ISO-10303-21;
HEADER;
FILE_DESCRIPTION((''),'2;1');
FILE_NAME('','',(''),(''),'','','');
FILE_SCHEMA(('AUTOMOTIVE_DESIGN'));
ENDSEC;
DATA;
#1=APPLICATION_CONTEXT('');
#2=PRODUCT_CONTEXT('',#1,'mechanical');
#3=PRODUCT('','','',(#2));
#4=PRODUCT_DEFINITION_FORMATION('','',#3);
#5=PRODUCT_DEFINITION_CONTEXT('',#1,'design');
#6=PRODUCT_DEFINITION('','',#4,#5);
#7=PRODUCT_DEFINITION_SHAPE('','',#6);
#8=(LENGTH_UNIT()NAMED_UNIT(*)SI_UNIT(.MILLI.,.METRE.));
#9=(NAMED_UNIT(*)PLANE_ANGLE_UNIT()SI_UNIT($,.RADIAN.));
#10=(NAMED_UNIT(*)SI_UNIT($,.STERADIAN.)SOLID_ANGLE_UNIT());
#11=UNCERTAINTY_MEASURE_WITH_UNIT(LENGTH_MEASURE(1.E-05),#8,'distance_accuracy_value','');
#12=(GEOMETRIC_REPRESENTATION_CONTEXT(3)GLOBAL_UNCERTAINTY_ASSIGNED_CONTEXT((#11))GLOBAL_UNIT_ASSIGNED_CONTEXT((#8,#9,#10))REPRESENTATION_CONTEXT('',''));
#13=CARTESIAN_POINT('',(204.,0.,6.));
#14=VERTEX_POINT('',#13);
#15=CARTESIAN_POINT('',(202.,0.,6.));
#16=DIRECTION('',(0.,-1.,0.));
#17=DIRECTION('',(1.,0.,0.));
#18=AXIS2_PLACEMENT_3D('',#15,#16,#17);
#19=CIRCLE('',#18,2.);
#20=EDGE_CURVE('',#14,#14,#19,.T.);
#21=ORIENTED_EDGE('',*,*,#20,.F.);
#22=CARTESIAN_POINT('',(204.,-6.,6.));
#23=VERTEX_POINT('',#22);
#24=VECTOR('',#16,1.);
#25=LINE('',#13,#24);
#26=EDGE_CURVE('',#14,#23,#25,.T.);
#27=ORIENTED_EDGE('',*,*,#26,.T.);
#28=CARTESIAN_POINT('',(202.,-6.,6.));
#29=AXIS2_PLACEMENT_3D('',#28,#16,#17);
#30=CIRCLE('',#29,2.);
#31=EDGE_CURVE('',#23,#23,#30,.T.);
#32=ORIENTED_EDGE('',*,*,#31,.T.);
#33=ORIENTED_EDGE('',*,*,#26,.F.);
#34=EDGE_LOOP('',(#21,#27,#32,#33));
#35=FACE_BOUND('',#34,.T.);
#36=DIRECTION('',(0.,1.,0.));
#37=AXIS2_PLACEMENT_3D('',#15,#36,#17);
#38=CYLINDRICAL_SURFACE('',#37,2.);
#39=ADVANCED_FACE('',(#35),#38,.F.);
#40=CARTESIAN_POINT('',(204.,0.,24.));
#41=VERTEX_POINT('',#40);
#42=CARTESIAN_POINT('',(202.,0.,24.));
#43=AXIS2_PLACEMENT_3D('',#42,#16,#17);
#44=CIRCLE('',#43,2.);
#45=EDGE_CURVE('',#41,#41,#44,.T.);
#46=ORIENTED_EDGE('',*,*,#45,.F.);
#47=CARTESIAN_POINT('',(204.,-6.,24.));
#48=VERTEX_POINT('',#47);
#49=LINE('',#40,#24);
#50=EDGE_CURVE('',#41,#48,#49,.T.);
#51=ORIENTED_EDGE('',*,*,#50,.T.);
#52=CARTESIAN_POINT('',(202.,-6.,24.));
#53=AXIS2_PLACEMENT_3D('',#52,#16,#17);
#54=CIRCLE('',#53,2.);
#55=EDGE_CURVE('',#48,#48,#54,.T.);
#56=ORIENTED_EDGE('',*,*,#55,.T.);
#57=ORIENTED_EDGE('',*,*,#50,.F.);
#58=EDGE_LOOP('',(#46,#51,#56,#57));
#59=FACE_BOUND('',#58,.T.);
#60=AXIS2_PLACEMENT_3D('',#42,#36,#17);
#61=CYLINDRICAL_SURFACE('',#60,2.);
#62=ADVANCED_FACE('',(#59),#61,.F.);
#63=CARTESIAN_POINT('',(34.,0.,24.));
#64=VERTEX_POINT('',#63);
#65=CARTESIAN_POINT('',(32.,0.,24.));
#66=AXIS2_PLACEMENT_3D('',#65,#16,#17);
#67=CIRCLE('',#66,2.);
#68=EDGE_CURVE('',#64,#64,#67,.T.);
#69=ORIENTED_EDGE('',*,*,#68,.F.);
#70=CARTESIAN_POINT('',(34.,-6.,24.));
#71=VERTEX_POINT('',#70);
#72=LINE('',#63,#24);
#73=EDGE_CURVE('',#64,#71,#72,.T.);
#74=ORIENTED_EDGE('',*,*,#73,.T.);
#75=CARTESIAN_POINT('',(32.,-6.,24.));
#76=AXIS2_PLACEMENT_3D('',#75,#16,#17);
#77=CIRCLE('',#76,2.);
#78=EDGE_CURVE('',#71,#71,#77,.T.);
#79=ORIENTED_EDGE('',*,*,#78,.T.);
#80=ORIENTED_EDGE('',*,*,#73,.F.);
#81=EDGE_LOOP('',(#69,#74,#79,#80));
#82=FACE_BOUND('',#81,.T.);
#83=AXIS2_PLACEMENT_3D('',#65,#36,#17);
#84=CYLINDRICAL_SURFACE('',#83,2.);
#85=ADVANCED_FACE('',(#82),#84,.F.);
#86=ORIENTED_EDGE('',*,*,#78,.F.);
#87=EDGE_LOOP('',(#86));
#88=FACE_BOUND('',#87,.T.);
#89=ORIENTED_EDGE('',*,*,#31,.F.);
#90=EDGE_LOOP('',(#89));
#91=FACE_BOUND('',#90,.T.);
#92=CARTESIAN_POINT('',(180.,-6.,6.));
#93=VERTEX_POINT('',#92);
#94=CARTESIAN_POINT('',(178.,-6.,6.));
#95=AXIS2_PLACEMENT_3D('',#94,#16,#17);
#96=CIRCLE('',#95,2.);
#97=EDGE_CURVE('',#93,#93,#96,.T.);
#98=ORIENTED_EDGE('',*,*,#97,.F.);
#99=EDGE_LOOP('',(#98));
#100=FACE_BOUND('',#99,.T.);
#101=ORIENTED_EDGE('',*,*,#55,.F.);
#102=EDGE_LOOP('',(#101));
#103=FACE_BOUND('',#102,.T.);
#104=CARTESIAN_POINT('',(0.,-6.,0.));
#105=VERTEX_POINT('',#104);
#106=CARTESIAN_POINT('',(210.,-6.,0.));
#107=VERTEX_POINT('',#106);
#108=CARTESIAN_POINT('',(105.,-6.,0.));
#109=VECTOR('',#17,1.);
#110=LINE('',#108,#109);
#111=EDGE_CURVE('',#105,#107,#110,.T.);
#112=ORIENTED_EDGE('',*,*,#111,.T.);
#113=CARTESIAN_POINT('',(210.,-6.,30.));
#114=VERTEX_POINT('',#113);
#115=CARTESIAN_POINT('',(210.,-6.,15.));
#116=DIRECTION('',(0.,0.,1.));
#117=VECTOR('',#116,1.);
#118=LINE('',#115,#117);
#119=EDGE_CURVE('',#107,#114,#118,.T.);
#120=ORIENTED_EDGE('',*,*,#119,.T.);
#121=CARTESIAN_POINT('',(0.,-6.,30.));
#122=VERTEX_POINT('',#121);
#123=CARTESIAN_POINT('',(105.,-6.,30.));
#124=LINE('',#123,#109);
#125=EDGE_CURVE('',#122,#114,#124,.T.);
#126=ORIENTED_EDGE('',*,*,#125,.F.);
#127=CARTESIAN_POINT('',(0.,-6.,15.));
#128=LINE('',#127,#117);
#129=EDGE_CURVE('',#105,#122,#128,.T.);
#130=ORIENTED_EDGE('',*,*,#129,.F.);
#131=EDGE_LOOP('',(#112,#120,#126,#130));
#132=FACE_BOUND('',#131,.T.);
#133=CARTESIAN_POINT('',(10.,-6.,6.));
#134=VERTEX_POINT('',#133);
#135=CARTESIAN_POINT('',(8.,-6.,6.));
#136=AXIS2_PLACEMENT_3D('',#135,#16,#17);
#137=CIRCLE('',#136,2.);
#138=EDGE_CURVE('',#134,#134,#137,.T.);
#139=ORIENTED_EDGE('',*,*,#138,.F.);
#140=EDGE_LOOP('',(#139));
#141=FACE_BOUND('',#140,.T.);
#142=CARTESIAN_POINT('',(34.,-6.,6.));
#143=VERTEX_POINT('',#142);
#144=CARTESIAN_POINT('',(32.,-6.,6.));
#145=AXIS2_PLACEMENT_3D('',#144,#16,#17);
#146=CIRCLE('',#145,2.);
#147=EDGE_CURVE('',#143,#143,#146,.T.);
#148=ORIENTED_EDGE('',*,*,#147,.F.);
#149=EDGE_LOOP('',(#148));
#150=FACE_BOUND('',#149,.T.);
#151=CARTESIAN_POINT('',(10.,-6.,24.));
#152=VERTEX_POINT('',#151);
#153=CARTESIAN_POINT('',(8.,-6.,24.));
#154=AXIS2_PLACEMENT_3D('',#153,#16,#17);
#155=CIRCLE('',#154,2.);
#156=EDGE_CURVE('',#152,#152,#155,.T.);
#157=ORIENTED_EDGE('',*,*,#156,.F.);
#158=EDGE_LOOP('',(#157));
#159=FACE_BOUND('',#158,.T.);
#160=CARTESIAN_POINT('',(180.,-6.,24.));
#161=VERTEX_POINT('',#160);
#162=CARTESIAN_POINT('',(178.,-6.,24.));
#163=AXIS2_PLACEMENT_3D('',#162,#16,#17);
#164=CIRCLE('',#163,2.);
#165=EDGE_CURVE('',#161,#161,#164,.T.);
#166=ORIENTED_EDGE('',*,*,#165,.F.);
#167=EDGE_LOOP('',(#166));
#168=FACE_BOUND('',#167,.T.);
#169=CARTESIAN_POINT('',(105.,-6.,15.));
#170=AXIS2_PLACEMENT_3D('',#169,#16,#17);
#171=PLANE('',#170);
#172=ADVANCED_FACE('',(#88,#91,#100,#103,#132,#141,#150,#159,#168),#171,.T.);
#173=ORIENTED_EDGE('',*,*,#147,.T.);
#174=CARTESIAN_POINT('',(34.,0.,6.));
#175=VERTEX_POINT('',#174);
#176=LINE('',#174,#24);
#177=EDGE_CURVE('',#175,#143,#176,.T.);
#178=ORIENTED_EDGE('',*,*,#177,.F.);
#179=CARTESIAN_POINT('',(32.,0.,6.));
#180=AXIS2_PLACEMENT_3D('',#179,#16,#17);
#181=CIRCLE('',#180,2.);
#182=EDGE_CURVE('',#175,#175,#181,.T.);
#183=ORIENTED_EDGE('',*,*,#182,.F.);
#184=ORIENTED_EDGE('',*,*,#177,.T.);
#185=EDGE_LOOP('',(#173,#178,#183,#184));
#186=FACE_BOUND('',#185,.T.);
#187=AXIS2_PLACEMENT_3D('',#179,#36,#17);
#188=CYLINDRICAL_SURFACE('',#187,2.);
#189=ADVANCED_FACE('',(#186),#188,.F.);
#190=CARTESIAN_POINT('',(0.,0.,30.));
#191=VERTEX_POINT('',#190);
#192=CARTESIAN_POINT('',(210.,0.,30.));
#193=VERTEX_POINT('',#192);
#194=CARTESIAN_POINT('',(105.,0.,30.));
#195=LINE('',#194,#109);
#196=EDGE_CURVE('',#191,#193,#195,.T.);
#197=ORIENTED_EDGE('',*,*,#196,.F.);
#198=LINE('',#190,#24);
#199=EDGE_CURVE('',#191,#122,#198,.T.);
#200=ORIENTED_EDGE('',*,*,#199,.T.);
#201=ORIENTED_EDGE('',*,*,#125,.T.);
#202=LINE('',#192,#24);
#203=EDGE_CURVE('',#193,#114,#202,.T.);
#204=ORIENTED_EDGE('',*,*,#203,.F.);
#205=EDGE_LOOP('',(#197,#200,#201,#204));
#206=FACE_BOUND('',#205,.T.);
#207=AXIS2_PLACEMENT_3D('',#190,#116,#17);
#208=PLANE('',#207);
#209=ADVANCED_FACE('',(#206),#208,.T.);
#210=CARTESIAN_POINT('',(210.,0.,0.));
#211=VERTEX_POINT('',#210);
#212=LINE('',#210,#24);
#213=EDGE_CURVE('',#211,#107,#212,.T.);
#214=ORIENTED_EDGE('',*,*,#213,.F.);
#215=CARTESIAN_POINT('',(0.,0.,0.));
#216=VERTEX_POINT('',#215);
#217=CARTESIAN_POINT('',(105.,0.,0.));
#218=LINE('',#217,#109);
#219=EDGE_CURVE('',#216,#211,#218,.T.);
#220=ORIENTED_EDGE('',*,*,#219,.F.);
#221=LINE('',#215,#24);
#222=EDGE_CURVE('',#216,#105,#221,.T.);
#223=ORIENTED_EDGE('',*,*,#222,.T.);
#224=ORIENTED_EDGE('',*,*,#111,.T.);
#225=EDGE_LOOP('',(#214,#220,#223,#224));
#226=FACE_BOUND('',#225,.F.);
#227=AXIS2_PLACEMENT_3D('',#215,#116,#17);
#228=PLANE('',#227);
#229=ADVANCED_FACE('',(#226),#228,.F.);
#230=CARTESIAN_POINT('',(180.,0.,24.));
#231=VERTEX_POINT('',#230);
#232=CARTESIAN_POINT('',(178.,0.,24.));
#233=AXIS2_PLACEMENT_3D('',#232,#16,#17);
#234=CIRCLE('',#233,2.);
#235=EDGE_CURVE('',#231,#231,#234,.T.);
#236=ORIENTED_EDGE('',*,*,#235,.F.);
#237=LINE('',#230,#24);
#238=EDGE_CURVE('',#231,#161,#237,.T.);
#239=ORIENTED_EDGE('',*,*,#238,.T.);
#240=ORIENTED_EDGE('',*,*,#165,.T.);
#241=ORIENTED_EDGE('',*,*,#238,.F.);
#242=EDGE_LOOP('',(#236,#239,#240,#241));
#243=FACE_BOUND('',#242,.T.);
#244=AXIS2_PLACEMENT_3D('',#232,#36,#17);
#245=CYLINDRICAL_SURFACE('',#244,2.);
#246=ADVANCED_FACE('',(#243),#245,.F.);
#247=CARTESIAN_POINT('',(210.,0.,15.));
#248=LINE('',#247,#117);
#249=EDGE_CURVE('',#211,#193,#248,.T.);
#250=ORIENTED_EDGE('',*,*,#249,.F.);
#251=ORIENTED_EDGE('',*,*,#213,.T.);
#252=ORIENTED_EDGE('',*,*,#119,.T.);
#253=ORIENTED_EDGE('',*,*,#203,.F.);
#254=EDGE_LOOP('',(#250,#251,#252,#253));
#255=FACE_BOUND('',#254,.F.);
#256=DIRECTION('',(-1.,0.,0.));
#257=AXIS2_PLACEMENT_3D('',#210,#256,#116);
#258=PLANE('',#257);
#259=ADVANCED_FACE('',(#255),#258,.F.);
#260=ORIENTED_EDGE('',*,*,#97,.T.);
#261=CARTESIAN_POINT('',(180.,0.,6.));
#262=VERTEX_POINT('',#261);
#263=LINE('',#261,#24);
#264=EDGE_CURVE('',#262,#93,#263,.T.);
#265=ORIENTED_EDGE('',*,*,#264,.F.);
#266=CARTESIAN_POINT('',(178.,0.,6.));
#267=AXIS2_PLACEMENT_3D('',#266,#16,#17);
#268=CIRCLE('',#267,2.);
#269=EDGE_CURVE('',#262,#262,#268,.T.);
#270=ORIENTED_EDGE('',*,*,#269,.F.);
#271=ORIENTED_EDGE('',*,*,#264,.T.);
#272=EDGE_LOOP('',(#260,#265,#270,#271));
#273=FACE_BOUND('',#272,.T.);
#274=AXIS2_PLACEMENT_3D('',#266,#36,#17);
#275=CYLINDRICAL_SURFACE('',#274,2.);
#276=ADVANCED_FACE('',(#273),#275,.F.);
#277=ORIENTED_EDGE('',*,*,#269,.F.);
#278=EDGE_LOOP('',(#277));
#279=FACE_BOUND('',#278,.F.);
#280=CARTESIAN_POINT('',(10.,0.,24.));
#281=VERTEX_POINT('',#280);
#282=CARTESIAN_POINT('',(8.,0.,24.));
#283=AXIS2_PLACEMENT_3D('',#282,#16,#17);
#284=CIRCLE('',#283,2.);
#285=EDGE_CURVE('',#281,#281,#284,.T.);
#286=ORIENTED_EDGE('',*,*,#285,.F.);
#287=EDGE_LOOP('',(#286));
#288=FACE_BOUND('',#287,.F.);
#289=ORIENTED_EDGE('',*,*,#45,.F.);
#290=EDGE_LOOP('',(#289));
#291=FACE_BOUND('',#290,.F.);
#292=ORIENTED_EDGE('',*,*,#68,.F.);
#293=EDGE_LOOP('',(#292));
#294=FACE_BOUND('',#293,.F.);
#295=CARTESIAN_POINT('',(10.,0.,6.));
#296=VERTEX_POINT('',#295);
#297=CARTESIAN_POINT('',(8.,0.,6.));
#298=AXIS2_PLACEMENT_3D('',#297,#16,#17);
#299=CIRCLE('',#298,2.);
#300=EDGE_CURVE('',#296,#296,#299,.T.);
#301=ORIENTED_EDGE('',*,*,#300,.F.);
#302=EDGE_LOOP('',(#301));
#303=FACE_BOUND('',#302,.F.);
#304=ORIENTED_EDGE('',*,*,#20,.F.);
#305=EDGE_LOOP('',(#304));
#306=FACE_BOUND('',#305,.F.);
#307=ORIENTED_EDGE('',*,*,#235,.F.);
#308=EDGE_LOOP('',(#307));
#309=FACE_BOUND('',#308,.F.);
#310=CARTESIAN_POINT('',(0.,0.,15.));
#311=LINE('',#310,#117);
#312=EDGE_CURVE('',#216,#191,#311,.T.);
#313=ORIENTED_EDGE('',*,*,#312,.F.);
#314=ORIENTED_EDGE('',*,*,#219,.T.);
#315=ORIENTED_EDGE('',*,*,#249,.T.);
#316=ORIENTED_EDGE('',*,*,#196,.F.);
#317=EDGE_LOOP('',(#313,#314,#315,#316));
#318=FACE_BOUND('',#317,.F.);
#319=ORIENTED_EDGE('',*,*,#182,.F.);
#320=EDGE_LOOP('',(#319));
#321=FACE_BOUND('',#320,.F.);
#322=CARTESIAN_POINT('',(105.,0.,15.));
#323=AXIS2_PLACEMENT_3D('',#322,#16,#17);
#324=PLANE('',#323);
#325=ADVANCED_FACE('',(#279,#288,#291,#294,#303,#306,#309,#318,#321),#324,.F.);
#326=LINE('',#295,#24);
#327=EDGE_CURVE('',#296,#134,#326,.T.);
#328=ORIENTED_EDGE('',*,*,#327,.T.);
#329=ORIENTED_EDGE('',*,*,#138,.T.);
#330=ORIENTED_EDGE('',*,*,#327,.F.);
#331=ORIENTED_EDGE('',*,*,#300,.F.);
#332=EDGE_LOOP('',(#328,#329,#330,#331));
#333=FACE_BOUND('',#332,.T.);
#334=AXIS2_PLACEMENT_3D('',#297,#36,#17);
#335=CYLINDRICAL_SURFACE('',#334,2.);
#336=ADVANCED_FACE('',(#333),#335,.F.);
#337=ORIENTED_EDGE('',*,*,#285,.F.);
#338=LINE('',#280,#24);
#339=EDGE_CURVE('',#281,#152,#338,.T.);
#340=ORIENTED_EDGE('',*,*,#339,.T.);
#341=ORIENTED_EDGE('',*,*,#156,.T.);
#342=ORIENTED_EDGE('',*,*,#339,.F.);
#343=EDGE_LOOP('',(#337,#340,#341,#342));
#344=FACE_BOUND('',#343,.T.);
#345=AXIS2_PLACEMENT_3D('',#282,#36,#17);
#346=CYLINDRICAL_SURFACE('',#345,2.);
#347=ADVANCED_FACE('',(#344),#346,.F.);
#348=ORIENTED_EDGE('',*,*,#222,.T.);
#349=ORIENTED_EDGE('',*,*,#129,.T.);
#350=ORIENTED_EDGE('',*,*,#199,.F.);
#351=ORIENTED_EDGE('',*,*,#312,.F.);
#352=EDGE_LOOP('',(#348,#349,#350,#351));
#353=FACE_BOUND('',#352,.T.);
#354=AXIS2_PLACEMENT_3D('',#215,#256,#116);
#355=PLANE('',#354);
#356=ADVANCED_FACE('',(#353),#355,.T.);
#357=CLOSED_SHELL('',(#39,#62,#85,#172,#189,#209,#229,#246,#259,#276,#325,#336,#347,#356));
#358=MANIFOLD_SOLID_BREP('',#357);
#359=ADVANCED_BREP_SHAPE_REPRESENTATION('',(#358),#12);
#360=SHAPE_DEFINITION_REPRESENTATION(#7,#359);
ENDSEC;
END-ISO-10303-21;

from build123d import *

# Parameters (mm, degrees)
SKETCH_W  = 210
SKETCH_H  = 30
SKETCH_R  = 2
PAD_DEPTH = 6


with BuildPart() as part:
    # Sketch → Pad (new body)
    with BuildSketch(Plane.XZ):
        with Locations((105, 15)):
            Rectangle(SKETCH_W, SKETCH_H)
        with Locations((8, 24)):
            Circle(SKETCH_R, mode=Mode.SUBTRACT)
        with Locations((32, 24)):
            Circle(SKETCH_R, mode=Mode.SUBTRACT)
        with Locations((8, 6)):
            Circle(SKETCH_R, mode=Mode.SUBTRACT)
        with Locations((32, 6)):
            Circle(SKETCH_R, mode=Mode.SUBTRACT)
        with Locations((178, 24)):
            Circle(SKETCH_R, mode=Mode.SUBTRACT)
        with Locations((202, 24)):
            Circle(SKETCH_R, mode=Mode.SUBTRACT)
        with Locations((178, 6)):
            Circle(SKETCH_R, mode=Mode.SUBTRACT)
        with Locations((202, 6)):
            Circle(SKETCH_R, mode=Mode.SUBTRACT)
    extrude(amount=PAD_DEPTH)


solid = part.part
